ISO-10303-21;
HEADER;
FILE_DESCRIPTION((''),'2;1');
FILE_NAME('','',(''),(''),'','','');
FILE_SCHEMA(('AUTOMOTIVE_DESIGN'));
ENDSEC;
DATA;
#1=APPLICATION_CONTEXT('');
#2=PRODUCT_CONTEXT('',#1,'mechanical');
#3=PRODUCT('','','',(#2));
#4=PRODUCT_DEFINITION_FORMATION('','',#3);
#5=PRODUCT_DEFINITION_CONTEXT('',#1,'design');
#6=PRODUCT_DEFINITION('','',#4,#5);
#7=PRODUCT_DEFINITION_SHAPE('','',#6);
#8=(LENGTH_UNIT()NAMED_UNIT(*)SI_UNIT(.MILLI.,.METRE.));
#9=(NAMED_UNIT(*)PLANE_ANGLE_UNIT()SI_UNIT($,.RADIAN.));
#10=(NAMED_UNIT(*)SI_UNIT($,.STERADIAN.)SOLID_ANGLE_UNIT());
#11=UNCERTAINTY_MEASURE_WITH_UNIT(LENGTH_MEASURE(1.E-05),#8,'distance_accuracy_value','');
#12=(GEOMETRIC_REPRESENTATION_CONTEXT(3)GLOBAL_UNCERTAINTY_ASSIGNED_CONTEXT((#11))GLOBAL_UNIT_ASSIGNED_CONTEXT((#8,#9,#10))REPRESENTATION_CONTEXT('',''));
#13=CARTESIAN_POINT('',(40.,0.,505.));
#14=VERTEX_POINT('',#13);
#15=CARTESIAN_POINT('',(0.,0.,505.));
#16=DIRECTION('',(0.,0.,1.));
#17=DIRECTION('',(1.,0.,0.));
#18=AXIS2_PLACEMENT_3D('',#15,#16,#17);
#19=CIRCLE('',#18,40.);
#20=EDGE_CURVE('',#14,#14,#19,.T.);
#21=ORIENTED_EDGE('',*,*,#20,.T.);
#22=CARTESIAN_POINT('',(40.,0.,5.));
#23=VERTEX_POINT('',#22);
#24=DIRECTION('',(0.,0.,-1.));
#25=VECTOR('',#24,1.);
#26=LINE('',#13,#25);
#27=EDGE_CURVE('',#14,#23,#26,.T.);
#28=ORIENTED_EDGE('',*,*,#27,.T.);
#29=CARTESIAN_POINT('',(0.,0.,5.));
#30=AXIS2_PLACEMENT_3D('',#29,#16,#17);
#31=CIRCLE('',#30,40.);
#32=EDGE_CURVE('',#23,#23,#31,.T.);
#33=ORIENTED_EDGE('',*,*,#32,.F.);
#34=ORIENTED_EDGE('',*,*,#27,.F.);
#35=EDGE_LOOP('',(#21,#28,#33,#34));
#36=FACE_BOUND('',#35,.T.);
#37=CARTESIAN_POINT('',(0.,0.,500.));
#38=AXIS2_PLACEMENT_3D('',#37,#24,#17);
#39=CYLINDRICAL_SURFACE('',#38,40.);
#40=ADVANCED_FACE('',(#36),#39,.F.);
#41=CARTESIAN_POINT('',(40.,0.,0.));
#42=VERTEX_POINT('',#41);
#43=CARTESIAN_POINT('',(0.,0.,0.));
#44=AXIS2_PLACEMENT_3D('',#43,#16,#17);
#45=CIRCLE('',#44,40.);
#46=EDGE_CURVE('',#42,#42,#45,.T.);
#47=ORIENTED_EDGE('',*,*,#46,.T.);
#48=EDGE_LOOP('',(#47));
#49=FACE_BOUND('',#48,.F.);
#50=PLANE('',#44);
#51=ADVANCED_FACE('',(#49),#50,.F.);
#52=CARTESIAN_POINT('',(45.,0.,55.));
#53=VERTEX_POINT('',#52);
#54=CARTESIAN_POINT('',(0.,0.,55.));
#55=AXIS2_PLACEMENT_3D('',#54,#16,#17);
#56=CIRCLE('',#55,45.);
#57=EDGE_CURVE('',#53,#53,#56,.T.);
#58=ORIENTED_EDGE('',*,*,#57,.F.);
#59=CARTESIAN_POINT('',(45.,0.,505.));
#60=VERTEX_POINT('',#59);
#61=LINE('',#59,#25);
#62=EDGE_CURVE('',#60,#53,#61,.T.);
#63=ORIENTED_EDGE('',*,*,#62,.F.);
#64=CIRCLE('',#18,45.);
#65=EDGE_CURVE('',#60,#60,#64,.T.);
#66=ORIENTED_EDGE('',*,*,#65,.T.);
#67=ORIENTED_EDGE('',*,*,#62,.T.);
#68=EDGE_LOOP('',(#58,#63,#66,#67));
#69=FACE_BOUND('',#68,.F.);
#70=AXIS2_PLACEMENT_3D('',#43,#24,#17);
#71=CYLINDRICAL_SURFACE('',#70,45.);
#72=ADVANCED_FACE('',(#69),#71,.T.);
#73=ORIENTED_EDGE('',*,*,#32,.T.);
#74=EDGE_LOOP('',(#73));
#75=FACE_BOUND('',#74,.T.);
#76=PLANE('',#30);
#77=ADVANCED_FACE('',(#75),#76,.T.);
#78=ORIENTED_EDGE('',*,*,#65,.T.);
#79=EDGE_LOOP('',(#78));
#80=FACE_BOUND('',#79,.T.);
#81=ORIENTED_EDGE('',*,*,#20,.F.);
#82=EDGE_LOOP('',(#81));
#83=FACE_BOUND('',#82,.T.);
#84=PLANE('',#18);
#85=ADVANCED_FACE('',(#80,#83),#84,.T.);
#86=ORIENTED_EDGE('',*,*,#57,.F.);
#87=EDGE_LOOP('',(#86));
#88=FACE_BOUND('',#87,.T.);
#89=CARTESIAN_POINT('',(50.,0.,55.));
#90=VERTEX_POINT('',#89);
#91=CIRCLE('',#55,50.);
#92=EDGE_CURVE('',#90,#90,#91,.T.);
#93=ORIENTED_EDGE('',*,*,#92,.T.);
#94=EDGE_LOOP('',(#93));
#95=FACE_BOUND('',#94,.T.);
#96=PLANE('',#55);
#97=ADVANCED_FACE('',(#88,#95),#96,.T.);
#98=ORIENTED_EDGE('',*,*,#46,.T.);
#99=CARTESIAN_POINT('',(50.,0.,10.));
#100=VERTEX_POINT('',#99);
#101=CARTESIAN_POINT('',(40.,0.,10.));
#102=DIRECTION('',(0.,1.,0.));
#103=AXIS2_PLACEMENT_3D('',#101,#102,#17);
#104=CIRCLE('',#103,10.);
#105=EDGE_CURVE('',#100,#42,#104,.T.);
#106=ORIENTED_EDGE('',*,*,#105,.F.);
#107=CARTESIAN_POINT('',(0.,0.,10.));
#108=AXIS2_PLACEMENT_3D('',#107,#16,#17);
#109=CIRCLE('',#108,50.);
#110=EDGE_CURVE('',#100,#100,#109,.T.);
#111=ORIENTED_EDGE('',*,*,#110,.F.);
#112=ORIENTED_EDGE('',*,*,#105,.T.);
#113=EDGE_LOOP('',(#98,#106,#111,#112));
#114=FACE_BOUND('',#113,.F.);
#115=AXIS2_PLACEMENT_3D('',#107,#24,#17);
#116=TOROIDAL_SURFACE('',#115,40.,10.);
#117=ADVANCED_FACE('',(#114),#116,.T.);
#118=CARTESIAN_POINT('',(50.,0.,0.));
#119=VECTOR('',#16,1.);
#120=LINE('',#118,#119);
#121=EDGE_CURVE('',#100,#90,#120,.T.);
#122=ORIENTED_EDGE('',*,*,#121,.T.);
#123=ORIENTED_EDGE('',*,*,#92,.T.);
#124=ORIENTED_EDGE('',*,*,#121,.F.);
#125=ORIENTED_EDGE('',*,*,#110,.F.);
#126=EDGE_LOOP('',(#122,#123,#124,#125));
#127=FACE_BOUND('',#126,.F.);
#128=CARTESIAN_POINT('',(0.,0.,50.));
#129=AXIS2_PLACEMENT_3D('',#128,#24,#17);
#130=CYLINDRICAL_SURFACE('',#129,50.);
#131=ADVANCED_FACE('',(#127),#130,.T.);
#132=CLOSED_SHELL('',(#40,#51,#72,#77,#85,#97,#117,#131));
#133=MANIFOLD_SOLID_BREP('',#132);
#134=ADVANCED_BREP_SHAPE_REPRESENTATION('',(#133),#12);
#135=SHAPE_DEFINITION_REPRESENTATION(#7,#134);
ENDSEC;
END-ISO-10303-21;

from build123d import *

# Parameters (mm, degrees)
F0_R        = 45
F0_R_2      = 40
F1_DEPTH    = 500
F0_R_3      = 50
F2_DEPTH    = 50
F2_FACE_R   = 50
F2_FACE_R_2 = 45
F1_FACE_R   = 45
F1_FACE_R_2 = 40
F3_DEPTH    = 5
F4_R        = 10


with BuildPart() as f1:
    # F0 (on Top) → F1 (new body)
    with BuildSketch(Plane.XY):
        Circle(F0_R)
        Circle(F0_R_2, mode=Mode.SUBTRACT)
    extrude(amount=F1_DEPTH)

    # F0 (on Top) → F2 (join)
    with BuildSketch(Plane.XY):
        Circle(F0_R_3)
        Circle(F0_R, mode=Mode.SUBTRACT)
    extrude(amount=F2_DEPTH)

    # F2_face (on face) + F1_face (on face) + F0 (on Top) → F3 (join)
    with BuildSketch(Plane.XY.offset(50)):
        Circle(F2_FACE_R)
        Circle(F2_FACE_R_2, mode=Mode.SUBTRACT)
    with BuildSketch(Plane.XY.offset(500)):
        Circle(F1_FACE_R)
        Circle(F1_FACE_R_2, mode=Mode.SUBTRACT)
    with BuildSketch(Plane.XY):
        Circle(F0_R_2)
    extrude(amount=F3_DEPTH)

    # F4
    f4_edges = [f1.edges().sort_by_distance(p)[0] for p in [
        (-50, 0, 0),
    ]]
    fillet(f4_edges, radius=F4_R)


solid = f1.part
